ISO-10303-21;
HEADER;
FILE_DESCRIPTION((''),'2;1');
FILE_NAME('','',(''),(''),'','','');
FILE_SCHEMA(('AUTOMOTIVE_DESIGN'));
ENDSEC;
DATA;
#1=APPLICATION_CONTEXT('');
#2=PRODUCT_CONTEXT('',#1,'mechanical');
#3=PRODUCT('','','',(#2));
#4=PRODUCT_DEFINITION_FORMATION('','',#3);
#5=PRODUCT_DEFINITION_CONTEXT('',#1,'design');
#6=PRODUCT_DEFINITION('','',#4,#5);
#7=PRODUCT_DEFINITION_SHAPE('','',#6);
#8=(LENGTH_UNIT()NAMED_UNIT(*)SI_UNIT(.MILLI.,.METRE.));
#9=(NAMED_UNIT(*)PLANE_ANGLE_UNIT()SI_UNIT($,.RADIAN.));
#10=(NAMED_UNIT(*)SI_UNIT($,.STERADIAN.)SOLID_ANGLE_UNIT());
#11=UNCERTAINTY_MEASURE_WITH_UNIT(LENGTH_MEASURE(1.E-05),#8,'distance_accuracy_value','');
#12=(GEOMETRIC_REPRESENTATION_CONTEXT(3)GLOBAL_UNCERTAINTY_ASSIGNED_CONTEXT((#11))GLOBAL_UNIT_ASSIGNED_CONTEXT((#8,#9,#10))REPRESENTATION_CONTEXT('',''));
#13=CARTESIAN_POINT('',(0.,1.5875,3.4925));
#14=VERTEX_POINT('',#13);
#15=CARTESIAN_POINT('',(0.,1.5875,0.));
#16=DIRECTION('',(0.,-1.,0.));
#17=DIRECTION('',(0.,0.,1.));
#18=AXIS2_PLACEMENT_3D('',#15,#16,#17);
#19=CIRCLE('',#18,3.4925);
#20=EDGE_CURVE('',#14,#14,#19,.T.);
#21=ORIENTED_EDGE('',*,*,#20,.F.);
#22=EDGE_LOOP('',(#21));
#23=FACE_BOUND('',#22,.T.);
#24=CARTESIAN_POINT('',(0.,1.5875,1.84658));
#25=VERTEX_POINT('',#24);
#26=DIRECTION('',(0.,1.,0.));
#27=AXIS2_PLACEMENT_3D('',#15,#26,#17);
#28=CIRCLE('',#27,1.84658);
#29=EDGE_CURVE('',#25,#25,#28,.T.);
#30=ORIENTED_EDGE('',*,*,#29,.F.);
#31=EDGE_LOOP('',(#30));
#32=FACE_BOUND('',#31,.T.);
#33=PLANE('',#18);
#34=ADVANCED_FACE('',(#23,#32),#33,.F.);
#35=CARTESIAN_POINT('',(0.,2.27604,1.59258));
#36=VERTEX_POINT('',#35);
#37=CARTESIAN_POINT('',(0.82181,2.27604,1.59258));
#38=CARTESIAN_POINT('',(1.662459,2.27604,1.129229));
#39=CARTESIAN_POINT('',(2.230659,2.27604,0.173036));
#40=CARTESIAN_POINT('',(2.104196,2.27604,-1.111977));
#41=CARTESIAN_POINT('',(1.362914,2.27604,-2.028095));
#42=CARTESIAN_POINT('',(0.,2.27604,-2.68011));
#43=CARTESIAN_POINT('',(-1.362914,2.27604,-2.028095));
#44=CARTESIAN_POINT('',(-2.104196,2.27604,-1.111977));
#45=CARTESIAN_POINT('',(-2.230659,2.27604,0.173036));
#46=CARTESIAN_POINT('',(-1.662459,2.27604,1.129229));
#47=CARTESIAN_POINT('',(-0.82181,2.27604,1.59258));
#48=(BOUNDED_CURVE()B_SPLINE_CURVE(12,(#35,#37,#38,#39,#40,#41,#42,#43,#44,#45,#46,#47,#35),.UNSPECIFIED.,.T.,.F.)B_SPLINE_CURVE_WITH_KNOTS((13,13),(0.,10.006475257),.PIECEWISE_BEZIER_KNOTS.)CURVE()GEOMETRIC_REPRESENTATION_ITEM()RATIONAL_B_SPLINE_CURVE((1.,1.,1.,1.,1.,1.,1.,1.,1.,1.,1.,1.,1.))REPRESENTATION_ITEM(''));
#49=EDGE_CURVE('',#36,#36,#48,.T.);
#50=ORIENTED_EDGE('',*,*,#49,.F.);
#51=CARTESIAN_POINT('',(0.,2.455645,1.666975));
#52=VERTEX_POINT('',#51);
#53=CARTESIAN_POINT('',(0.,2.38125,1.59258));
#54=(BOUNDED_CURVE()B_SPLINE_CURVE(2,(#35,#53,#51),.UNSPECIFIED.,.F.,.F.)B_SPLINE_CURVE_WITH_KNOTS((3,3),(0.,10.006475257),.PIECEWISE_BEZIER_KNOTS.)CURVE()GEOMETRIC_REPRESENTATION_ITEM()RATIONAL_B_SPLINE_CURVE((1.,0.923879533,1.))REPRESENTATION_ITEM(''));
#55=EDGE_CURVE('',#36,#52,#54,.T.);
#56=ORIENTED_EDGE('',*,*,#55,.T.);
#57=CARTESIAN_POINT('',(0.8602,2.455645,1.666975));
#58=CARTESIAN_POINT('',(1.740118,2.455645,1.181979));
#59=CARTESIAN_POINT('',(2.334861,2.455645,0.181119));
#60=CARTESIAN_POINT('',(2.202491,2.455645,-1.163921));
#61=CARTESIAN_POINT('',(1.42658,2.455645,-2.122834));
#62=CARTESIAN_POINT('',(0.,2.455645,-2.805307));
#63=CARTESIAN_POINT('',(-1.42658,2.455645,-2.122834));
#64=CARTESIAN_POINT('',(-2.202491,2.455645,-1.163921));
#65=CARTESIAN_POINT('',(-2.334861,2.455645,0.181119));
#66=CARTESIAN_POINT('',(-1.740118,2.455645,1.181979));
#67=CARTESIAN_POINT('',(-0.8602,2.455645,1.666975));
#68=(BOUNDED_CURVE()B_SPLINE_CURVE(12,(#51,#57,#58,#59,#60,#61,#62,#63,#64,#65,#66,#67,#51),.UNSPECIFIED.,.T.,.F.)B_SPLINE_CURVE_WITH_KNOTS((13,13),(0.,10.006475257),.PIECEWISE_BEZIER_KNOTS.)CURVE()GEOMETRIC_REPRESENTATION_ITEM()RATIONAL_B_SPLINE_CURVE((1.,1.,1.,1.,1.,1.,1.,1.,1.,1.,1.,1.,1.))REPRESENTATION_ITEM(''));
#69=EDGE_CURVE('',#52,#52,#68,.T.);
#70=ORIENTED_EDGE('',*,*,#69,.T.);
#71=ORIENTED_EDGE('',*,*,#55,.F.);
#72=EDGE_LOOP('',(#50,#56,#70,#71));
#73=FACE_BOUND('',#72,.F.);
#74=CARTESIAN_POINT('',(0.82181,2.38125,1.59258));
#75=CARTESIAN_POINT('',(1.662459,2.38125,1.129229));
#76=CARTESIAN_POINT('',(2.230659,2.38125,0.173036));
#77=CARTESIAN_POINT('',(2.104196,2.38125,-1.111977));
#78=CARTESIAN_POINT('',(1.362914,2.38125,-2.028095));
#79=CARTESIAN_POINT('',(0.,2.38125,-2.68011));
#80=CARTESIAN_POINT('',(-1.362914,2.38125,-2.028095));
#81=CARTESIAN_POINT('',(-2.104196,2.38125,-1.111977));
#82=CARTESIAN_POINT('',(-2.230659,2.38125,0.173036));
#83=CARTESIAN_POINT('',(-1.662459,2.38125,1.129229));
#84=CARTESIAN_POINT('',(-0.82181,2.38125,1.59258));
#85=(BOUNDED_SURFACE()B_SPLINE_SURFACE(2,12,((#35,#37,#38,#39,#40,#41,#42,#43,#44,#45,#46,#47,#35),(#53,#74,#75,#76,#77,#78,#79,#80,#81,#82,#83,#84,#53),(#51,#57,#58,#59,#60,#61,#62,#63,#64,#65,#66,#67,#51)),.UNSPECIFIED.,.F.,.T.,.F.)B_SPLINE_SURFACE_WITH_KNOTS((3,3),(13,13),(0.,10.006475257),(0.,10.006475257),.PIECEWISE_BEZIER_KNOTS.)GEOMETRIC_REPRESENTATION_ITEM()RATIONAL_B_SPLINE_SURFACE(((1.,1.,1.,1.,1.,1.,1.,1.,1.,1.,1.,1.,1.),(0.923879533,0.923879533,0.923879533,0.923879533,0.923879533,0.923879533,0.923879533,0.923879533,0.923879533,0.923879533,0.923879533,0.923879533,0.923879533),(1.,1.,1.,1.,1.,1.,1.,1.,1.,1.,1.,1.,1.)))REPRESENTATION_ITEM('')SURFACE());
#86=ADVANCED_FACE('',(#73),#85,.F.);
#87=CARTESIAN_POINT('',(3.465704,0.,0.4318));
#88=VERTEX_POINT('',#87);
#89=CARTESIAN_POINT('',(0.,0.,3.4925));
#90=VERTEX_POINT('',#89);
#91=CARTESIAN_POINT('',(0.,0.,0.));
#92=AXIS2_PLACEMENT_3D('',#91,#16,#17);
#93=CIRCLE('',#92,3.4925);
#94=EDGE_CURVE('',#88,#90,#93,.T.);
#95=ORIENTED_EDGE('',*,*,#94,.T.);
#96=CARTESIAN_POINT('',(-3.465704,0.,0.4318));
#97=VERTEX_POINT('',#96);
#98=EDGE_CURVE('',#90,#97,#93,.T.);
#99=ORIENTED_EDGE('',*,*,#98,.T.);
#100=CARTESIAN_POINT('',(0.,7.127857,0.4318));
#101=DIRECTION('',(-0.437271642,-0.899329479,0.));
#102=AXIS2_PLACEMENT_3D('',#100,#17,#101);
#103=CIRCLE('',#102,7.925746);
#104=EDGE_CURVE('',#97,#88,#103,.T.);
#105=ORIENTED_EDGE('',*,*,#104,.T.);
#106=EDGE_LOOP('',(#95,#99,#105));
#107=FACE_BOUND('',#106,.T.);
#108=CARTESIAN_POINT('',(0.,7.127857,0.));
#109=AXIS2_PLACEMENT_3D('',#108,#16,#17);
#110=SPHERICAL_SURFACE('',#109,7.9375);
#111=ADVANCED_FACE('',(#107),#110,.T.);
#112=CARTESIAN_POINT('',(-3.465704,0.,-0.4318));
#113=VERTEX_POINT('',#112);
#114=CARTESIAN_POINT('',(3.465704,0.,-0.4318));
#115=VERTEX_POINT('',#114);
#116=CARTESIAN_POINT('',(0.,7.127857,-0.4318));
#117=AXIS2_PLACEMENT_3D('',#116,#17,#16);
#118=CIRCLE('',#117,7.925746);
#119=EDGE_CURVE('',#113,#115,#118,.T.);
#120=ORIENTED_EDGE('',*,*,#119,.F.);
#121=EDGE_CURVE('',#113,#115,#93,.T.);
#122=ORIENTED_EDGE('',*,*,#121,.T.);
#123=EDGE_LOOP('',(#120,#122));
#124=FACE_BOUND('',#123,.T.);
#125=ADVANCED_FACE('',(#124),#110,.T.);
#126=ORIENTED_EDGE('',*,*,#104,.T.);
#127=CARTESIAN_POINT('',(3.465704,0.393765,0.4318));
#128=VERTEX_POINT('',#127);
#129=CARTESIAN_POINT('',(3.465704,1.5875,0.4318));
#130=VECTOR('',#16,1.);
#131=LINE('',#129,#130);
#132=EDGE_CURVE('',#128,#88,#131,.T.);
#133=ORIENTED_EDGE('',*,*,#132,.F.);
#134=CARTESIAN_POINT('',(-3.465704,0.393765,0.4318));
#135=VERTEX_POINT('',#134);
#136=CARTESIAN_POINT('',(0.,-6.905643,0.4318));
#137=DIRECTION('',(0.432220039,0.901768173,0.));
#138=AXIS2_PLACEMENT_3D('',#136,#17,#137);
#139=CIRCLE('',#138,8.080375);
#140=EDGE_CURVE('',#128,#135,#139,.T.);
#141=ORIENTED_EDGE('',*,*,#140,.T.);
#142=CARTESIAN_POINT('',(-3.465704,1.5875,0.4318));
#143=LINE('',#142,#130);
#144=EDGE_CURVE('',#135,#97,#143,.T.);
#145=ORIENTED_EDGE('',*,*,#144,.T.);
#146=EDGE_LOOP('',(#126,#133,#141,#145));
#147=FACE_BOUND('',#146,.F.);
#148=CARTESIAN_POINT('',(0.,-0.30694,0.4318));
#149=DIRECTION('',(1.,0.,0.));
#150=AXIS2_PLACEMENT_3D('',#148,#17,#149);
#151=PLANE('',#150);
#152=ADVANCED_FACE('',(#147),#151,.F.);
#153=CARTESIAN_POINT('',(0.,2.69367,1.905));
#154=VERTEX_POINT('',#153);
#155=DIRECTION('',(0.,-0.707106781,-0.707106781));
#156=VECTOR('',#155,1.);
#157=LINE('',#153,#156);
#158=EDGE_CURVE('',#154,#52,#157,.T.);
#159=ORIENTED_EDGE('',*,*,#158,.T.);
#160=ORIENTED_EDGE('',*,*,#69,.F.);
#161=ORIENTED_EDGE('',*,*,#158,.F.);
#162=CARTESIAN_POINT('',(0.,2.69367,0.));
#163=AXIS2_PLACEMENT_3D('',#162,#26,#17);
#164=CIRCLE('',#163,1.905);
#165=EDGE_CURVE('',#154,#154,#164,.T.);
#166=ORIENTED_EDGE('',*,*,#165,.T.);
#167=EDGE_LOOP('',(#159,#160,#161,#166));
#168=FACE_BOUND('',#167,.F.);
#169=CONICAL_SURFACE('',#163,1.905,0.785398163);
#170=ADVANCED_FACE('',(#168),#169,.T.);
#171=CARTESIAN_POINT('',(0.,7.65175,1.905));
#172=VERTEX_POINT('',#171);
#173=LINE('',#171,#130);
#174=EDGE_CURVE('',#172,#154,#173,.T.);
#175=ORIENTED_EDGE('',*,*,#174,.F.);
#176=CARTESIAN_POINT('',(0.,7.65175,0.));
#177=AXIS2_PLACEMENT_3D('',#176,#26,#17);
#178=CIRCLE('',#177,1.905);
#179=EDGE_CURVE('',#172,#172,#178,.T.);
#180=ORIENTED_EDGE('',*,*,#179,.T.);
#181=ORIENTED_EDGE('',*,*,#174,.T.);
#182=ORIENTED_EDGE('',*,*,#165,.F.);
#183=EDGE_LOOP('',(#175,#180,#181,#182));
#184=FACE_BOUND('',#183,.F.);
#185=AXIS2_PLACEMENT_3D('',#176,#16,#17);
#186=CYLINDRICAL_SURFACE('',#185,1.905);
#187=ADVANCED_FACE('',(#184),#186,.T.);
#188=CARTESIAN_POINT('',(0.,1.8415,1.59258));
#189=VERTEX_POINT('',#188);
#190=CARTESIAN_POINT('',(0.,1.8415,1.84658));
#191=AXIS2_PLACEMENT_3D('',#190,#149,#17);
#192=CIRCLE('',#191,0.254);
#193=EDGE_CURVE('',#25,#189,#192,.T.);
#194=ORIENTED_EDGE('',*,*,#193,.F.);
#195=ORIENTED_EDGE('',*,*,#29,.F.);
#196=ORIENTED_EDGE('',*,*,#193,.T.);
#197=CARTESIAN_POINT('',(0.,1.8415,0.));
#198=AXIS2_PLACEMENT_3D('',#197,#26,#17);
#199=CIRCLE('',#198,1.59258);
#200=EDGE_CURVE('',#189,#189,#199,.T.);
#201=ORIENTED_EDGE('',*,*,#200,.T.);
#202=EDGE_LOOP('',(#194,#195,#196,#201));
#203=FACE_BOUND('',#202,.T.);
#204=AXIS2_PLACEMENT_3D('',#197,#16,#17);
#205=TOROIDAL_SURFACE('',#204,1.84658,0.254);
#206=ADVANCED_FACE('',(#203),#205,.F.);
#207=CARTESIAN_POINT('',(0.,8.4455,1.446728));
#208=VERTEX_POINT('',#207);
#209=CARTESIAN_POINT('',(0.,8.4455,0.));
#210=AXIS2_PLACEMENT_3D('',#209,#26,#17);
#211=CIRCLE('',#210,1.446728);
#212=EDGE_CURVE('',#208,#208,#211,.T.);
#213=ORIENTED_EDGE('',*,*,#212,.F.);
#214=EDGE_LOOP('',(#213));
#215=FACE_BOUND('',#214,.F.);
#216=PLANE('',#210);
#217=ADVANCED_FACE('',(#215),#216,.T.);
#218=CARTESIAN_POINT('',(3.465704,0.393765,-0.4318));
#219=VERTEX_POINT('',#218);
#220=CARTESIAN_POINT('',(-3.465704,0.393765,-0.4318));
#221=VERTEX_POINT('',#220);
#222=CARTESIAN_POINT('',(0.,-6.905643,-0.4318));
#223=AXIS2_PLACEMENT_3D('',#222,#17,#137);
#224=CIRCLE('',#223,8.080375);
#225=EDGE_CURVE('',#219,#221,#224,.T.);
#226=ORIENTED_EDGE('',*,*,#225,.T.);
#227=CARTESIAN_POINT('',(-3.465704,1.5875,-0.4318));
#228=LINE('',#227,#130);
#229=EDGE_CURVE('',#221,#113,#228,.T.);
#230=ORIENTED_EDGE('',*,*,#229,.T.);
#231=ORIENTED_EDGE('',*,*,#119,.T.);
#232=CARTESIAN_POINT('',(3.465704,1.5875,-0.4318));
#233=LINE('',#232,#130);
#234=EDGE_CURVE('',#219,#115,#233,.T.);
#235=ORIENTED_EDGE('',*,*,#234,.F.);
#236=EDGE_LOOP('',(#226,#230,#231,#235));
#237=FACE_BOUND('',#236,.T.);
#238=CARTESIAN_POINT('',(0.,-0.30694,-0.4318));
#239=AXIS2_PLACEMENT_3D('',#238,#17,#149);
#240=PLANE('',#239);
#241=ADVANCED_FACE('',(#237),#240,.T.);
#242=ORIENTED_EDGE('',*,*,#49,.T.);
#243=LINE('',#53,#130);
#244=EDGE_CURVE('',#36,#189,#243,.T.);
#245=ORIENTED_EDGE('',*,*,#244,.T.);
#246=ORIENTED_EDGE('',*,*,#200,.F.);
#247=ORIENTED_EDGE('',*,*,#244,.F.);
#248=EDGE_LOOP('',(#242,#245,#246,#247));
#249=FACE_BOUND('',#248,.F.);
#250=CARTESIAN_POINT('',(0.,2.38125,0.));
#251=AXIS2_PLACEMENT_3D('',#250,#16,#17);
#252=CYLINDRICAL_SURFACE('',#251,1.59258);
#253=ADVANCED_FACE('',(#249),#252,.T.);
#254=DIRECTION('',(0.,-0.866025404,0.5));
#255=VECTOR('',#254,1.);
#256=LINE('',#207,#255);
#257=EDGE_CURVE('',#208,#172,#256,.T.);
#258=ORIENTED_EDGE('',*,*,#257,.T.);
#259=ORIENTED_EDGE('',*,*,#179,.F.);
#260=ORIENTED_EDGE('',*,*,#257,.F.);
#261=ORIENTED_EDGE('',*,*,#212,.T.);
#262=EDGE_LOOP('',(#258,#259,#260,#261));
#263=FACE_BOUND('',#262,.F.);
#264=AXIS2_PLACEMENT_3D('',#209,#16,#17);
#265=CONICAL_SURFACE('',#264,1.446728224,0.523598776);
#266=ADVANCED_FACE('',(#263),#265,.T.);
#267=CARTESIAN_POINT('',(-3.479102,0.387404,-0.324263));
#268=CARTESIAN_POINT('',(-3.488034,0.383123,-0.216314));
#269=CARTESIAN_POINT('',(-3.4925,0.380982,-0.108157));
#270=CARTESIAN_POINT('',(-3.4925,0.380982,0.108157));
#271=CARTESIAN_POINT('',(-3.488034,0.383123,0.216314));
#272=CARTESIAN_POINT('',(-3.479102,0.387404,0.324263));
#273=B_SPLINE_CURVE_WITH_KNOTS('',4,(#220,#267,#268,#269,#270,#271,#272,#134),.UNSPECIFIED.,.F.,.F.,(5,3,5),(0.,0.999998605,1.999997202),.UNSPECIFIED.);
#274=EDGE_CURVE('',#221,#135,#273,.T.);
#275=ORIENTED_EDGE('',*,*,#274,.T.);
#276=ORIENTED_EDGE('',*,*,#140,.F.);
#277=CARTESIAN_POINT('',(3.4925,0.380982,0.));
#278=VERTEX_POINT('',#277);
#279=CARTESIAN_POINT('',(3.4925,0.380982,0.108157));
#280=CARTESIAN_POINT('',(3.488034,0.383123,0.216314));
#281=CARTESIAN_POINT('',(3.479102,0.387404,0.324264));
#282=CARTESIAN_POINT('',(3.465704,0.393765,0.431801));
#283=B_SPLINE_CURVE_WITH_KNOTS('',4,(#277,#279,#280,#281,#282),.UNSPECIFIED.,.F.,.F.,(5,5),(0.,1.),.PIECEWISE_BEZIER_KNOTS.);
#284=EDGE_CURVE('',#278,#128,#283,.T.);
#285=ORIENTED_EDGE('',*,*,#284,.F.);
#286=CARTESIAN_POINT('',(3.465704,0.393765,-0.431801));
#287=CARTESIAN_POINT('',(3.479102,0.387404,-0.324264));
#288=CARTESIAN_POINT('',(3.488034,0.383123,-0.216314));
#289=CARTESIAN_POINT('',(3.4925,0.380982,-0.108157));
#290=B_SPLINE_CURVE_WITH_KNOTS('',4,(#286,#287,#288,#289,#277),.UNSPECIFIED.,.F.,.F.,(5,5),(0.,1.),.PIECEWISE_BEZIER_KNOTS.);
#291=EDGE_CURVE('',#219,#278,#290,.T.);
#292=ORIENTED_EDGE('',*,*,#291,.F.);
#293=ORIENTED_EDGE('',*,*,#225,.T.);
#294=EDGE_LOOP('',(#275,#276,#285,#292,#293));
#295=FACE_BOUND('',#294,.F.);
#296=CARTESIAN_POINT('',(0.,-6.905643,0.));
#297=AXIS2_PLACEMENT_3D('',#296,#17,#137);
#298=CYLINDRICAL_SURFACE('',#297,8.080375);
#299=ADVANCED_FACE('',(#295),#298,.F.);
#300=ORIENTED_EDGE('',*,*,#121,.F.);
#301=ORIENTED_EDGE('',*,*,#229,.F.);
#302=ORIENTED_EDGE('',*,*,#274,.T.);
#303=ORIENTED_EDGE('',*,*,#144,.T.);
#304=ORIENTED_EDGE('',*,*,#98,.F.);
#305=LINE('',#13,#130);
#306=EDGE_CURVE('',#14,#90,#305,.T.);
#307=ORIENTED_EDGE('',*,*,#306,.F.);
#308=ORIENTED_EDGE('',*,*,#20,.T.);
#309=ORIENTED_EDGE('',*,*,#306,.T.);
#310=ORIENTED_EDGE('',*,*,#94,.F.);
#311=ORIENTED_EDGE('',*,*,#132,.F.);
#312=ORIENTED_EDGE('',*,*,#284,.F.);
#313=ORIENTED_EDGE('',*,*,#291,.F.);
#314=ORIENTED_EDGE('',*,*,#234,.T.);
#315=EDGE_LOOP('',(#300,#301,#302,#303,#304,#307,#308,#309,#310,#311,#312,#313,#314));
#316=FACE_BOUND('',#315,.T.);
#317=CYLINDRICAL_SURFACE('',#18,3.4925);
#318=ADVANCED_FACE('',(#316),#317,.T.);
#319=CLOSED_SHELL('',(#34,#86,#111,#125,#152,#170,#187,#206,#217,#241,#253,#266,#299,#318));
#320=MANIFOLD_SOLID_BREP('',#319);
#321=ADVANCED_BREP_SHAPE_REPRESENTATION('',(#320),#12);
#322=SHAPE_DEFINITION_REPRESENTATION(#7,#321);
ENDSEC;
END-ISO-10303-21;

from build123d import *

# Parameters (mm, degrees)
F4_R     = 0.254
F6_DEPTH = 0.4318


with BuildPart() as f1:
    # F0 (on Right) → F1 (revolve)
    with BuildSketch(Plane.YZ):
        with BuildLine():
            Line((-0.8096426782, 0), (0, 0))
            Line((0, 0), (1.5875, 0))
            Line((1.5875, 0), (1.5875, 3.4925))
            Line((1.5875, 3.4925), (0, 3.4925))
            ThreePointArc((0, 3.4925), (-0.6045832289, 1.7925594492), (-0.8096426782, 0))
        make_face()
    revolve(axis=Axis((0, 9.1738495976, 0), (0, -1, 0)))

    # F2 (on Right) → F3 (revolve)
    with BuildSketch(Plane.YZ):
        Polygon((2.38125, 1.59258), (1.5875, 1.59258), (1.5875, 0), (8.4455, 0), (8.4455, 1.4467282238), (7.65175, 1.905), (2.69367, 1.905), align=None)
    revolve(axis=Axis((0, 8.9318295941, 0), (0, 1, 0)))

    # F4
    f4_edges = [f1.edges().sort_by_distance(p)[0] for p in [
        (0, 1.5875, -1.59258),
        (0, 2.38125, -1.59258),
    ]]
    fillet(f4_edges, radius=F4_R)

    # F5 (on Top) → F6 (cut, symmetric)
    with BuildSketch(Plane.XY):
        with BuildLine():
            Line((3.4925, -1.3970176782), (3.4925, 0.3809823218))
            ThreePointArc((3.4925, 0.3809823218), (0, 1.1747323218), (-3.4925, 0.3809823218))
            Line((-3.4925, 0.3809823218), (-3.4925, -1.3970176782))
            Line((-3.4925, -1.3970176782), (3.4925, -1.3970176782))
        make_face()
    extrude(amount=F6_DEPTH, both=True, mode=Mode.SUBTRACT)


solid = f1.part
